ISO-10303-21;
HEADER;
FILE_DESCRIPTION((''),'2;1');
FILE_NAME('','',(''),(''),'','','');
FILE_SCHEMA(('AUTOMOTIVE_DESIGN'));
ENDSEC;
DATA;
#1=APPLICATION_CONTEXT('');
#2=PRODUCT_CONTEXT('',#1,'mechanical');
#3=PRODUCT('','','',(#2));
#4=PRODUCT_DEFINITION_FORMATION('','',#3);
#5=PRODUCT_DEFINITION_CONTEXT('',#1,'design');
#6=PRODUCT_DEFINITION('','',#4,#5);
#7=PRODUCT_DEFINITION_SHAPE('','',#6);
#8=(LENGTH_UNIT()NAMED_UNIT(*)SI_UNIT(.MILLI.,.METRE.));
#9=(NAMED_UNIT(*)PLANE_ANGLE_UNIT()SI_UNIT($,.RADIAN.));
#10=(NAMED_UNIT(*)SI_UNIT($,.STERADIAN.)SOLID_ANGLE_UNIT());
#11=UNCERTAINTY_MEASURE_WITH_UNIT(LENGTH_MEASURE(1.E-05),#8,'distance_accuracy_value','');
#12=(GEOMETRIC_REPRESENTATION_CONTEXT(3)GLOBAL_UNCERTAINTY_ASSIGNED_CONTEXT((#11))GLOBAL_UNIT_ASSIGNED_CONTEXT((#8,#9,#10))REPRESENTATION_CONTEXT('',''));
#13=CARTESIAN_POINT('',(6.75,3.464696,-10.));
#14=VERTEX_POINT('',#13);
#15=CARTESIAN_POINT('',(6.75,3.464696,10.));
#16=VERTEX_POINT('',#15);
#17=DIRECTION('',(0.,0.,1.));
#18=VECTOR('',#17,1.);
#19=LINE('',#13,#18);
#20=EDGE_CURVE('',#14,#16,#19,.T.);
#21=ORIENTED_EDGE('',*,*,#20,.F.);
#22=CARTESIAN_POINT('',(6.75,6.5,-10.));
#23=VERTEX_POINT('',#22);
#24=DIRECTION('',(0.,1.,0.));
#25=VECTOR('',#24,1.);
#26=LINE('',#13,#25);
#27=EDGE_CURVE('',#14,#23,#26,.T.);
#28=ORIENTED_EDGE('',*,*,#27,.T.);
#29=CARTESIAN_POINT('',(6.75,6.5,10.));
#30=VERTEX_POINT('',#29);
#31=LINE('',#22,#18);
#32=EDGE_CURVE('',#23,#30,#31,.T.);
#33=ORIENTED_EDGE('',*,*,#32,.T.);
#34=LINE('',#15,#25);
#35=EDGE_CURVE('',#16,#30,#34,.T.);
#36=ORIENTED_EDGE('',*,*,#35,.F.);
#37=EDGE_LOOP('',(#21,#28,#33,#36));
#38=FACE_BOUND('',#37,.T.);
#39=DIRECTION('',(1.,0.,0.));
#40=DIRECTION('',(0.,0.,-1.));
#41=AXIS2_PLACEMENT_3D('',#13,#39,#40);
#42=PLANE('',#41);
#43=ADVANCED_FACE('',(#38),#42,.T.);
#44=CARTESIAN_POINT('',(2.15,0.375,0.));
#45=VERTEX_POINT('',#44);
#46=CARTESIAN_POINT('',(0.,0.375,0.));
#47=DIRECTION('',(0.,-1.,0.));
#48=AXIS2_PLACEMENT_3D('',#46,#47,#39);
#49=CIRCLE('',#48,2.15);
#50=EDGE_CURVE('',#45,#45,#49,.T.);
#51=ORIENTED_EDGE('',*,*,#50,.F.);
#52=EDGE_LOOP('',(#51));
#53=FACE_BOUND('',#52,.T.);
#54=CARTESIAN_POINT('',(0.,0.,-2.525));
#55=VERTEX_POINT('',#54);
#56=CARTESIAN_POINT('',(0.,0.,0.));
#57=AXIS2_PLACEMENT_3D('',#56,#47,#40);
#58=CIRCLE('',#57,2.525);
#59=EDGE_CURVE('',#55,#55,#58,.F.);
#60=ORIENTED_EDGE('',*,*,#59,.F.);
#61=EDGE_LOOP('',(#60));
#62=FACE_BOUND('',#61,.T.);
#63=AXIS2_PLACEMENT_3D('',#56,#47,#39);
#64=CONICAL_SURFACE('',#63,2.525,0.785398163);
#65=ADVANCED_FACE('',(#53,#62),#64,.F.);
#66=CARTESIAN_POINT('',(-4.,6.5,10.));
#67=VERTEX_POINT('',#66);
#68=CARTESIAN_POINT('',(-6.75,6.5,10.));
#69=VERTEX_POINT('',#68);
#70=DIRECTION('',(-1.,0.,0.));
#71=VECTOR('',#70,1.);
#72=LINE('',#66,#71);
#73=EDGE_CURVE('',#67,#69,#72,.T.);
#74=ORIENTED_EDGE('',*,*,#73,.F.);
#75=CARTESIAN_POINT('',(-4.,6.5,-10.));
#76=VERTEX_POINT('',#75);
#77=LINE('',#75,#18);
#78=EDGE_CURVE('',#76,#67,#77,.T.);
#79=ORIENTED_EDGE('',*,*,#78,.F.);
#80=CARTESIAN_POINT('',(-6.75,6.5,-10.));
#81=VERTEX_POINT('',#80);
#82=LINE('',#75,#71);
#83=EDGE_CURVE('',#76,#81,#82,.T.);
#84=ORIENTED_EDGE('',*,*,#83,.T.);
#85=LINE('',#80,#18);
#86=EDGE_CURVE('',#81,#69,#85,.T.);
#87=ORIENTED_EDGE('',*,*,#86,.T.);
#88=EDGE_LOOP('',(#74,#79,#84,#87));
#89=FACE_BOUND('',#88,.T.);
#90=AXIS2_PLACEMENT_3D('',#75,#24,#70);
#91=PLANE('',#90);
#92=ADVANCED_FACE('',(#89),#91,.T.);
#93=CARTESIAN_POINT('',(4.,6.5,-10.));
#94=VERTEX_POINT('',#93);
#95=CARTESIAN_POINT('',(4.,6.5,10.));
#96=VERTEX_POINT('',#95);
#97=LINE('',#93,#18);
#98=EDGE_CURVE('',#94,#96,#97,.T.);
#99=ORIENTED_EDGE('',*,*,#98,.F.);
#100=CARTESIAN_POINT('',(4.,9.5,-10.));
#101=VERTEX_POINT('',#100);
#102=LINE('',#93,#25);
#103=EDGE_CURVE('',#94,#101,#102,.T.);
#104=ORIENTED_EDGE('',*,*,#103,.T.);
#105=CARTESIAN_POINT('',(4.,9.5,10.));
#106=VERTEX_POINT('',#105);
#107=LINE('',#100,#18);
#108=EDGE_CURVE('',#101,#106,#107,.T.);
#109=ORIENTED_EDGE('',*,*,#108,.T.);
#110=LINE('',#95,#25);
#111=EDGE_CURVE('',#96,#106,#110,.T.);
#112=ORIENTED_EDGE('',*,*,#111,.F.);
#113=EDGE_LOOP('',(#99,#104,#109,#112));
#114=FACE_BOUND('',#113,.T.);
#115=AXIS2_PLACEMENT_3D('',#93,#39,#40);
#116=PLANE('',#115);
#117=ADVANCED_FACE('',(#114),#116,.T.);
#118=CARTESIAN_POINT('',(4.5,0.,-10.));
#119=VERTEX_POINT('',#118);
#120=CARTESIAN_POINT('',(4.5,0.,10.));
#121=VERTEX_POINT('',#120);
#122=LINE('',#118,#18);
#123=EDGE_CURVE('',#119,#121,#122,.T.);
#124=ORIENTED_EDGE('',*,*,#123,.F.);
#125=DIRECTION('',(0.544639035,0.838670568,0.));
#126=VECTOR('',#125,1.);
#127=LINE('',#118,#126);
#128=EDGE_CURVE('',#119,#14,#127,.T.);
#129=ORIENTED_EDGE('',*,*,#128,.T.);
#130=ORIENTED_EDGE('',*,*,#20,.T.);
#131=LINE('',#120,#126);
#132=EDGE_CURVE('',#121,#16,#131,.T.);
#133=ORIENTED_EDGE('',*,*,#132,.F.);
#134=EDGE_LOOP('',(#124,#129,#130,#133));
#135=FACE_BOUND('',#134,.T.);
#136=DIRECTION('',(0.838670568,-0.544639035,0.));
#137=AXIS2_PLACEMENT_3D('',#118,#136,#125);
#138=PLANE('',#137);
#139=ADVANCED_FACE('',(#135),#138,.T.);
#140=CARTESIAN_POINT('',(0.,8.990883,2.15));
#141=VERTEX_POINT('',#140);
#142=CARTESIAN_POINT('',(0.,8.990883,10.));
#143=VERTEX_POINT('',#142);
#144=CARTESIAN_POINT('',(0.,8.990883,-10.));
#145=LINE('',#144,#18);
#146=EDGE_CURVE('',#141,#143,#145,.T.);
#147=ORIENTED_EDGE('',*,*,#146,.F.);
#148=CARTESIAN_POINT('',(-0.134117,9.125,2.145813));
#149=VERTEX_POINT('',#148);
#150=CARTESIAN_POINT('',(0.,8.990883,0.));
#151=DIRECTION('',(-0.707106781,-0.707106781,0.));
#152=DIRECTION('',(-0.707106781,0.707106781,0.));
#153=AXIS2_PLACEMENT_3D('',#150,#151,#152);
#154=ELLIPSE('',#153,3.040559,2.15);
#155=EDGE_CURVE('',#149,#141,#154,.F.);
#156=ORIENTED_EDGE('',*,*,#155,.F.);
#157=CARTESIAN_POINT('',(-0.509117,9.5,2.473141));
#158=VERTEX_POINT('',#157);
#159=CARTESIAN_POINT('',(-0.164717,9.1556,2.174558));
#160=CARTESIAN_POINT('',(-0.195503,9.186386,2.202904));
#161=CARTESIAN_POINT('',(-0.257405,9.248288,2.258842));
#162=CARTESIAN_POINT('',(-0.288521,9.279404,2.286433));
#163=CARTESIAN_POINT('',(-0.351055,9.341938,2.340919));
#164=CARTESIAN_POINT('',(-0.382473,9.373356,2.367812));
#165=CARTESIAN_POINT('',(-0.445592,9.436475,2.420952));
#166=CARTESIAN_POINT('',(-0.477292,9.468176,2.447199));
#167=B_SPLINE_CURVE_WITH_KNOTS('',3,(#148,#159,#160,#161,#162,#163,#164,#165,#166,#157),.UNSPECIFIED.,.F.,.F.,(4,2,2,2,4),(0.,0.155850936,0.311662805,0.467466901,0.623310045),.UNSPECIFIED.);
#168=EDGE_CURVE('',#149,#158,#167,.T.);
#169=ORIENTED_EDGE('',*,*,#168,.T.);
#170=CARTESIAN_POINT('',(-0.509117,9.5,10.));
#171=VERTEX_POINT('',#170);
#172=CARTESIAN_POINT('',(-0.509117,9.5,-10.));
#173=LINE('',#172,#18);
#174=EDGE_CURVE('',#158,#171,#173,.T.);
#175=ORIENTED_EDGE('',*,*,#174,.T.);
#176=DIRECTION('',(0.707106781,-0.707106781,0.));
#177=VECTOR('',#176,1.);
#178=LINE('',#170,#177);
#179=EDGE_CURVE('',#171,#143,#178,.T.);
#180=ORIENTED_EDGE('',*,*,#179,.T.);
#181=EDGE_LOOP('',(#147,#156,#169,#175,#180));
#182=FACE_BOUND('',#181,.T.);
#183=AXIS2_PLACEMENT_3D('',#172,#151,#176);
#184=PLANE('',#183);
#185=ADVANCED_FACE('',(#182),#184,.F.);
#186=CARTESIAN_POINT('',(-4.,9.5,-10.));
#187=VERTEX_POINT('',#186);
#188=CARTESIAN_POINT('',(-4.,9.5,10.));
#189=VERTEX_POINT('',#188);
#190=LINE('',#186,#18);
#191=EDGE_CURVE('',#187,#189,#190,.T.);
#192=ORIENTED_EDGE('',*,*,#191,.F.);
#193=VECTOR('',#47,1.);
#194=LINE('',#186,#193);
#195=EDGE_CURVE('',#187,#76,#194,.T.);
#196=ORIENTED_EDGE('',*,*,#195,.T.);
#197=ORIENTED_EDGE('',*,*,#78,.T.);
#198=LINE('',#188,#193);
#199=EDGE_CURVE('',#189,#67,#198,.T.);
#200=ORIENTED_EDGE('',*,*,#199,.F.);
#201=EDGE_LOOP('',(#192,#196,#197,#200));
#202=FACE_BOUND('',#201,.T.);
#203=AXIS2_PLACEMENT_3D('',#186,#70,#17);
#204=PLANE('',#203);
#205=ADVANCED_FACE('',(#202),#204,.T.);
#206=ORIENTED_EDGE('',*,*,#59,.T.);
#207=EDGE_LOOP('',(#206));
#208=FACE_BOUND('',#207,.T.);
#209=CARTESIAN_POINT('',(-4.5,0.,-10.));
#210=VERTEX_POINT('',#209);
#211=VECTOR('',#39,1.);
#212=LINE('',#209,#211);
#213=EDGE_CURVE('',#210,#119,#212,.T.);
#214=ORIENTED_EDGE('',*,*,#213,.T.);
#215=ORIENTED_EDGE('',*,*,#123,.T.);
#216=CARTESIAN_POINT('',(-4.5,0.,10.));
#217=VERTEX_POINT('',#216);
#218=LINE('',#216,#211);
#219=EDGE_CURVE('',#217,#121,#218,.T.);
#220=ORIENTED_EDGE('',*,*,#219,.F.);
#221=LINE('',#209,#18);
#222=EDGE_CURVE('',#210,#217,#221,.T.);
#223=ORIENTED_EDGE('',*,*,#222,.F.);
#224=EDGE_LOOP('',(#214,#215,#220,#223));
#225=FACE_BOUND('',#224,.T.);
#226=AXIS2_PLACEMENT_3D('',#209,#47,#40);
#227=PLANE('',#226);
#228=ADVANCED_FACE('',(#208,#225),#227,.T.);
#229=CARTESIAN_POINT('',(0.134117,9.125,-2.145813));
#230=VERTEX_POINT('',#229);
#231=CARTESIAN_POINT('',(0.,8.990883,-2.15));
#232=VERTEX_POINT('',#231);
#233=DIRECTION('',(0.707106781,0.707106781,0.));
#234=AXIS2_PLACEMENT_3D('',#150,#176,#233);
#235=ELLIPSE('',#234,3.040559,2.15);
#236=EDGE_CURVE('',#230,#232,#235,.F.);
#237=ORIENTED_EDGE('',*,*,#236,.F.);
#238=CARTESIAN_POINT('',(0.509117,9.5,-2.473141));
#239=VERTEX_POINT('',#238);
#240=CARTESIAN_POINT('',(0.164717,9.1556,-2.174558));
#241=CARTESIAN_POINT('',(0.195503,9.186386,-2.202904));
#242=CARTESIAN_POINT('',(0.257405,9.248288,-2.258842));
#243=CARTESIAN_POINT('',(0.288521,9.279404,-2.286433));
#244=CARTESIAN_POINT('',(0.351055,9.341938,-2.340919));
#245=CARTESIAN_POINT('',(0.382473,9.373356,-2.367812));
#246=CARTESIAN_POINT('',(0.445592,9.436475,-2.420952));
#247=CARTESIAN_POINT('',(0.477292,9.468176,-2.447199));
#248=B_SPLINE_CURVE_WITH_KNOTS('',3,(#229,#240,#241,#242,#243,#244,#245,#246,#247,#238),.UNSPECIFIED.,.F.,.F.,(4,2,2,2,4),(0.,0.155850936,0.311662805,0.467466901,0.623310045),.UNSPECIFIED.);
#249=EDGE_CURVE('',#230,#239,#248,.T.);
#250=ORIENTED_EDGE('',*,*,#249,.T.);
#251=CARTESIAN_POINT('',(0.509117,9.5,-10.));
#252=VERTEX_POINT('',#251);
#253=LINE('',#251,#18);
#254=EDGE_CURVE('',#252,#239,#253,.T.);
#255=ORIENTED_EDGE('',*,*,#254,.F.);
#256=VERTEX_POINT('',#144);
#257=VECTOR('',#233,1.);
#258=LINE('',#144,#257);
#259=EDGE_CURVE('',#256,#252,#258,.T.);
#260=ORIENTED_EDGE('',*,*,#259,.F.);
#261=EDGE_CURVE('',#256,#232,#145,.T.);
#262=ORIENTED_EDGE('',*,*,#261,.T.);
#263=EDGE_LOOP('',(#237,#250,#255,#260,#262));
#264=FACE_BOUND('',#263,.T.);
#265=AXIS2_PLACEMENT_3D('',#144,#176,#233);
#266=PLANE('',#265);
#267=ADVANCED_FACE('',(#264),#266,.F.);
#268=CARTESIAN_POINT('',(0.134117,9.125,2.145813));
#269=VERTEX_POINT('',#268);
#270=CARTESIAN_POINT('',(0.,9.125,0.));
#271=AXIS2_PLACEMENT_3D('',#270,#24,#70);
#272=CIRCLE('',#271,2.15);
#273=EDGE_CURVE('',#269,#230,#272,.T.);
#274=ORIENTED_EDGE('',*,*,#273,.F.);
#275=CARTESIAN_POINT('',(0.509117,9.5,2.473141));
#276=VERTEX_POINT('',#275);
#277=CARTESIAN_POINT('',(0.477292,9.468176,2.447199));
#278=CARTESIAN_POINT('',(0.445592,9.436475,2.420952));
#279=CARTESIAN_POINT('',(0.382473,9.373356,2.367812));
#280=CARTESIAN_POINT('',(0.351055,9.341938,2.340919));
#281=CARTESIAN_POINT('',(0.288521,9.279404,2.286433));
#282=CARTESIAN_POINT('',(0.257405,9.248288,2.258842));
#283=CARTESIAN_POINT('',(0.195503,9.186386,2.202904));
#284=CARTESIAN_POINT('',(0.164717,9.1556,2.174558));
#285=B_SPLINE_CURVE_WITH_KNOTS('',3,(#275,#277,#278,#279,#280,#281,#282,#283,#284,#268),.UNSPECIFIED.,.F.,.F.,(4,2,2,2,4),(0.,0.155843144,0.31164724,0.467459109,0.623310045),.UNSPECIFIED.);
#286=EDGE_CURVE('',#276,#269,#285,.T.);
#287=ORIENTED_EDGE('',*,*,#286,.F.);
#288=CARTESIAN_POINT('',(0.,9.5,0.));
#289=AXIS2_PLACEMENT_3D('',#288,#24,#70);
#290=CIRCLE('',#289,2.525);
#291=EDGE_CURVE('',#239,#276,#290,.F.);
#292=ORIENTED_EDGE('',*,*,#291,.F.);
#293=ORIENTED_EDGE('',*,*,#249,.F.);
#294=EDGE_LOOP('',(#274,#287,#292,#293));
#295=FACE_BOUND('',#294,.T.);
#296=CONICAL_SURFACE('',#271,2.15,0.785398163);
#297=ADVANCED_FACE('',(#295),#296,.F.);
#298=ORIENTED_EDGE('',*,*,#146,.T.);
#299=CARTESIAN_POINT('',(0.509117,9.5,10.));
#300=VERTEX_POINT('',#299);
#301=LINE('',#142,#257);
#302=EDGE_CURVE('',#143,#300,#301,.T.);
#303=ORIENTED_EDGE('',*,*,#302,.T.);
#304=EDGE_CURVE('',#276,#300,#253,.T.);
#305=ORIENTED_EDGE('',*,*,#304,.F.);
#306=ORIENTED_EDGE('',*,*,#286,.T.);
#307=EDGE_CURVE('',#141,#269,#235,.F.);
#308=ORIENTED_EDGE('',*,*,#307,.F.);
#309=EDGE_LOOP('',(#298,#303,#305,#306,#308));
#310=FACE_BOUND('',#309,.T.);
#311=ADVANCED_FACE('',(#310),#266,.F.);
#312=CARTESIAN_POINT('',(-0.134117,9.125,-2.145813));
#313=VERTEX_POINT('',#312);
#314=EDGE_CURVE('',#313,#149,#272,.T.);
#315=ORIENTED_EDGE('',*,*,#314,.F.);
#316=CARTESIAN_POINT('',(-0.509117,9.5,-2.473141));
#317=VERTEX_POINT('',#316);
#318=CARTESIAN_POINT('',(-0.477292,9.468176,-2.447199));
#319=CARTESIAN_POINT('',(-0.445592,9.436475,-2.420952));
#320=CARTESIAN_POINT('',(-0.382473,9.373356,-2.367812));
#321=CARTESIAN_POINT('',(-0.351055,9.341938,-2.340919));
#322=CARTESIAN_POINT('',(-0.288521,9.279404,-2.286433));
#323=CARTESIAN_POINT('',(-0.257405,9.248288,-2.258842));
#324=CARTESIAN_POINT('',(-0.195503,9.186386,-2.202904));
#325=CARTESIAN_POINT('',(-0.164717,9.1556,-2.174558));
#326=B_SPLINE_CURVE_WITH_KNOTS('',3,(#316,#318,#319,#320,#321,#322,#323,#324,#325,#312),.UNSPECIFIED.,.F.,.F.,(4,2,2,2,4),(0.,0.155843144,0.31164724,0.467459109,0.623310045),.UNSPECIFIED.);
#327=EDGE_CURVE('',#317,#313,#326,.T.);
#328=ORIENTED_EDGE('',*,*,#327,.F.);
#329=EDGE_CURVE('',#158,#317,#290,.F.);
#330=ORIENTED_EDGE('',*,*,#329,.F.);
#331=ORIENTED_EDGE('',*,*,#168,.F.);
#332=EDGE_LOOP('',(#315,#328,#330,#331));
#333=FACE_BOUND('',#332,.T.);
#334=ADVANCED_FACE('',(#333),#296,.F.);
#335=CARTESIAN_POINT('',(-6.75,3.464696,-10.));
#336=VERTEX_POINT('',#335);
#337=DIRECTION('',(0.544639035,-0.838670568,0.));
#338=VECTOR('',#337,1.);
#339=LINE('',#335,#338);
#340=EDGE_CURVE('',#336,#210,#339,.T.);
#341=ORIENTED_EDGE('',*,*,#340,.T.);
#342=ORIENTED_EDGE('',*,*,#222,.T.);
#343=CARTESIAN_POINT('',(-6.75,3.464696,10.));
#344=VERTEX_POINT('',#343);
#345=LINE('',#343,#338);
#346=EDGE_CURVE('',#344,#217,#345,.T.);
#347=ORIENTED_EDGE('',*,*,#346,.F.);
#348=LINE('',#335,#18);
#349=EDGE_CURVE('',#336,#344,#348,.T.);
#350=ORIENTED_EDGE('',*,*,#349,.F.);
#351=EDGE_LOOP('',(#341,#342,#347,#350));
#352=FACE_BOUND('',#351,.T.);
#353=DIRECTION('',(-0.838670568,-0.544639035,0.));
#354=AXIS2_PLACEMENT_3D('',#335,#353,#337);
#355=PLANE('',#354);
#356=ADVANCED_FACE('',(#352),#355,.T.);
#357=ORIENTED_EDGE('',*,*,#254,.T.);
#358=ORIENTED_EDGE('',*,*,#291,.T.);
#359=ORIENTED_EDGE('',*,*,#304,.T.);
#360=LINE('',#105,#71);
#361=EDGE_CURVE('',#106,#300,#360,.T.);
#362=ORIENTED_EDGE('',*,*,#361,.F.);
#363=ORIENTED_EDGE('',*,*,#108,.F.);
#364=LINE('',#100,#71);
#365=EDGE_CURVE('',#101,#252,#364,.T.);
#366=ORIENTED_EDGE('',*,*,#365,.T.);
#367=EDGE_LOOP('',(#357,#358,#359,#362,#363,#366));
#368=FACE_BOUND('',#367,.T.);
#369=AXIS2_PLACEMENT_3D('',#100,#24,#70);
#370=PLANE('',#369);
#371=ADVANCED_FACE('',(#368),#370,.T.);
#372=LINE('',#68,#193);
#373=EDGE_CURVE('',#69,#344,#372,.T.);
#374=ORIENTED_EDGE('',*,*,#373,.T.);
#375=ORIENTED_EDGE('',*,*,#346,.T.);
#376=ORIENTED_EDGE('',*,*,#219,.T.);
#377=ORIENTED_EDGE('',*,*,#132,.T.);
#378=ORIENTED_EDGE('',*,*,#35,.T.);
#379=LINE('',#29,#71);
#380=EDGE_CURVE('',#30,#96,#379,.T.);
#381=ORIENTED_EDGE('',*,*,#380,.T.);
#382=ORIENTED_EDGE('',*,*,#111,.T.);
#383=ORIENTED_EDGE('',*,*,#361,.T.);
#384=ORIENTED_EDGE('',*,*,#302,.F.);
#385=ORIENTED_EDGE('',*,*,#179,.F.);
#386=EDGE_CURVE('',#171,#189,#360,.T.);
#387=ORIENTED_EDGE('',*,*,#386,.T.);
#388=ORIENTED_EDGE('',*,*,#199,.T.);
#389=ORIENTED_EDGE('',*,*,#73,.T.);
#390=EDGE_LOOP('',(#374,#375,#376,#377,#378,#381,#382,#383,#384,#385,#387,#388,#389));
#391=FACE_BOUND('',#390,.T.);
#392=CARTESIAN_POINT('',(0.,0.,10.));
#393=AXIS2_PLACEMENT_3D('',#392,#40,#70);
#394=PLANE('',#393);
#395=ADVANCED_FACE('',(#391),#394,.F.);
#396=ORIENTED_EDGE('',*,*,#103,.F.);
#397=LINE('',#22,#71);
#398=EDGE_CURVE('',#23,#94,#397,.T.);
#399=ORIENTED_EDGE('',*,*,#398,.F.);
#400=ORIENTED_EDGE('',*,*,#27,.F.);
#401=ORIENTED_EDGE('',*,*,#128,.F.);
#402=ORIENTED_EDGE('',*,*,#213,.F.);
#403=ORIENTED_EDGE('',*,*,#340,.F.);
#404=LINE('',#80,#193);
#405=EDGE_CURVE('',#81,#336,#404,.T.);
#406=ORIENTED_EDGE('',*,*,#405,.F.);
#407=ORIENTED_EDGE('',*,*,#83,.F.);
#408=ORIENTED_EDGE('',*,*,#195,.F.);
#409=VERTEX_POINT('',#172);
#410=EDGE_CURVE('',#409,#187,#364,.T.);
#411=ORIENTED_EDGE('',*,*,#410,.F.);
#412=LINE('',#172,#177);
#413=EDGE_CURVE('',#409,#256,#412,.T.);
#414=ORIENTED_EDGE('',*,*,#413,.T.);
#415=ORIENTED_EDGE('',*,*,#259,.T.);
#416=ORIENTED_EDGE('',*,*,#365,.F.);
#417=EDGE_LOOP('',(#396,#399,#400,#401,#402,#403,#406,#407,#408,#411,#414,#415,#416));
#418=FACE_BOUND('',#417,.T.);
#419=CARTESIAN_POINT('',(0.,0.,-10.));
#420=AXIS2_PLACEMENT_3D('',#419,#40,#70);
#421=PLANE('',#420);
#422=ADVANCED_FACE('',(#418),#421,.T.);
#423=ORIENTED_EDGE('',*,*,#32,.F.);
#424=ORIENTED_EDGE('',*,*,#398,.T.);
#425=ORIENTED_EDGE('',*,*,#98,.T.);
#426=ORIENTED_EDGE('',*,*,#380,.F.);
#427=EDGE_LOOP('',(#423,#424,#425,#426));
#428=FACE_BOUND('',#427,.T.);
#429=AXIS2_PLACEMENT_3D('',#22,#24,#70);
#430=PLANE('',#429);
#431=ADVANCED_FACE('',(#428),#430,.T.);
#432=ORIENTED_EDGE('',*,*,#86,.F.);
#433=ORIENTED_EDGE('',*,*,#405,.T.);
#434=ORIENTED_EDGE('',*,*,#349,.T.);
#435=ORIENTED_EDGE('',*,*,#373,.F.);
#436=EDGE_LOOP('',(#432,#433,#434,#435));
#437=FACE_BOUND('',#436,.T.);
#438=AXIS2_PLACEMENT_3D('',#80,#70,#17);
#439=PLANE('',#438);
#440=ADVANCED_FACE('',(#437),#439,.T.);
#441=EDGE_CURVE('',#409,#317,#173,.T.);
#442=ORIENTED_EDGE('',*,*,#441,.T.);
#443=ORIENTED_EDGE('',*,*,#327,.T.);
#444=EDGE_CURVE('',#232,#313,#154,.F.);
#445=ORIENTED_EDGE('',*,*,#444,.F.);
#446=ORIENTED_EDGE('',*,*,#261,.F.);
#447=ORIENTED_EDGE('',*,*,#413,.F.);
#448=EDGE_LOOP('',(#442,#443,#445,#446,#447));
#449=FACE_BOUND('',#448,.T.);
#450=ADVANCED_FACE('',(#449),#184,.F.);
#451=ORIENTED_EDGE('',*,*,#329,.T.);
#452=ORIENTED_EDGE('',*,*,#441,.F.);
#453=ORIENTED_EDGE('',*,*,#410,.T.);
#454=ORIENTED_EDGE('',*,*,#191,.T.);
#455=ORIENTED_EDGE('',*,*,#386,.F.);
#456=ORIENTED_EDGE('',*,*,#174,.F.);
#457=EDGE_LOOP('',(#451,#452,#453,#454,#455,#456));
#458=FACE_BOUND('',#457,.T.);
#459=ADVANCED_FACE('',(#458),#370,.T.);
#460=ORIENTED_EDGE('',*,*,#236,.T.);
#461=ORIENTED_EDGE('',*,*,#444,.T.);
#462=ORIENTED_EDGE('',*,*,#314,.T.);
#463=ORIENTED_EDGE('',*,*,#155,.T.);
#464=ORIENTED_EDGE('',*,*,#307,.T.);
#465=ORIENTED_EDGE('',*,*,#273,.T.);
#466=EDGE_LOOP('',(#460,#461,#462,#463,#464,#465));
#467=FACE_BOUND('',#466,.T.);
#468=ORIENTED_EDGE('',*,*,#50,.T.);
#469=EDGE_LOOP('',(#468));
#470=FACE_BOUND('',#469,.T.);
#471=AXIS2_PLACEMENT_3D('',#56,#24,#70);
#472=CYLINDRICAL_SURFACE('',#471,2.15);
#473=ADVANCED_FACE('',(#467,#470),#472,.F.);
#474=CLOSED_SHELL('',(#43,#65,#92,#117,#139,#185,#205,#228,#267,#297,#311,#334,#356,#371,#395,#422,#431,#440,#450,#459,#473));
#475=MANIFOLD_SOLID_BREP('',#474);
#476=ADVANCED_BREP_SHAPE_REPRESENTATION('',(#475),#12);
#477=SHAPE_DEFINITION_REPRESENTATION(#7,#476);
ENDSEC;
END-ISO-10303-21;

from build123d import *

# Parameters (mm, degrees)
EXTRUDE_1_DEPTH     = 10
SKETCH_2_R          = 2.15
CUT_EXTRUDE_1_DEPTH = 16.356187678
CUT_EXTRUDE_2_DEPTH = 10
CHAMFER_1_SIZE      = 0.375


with BuildPart() as part:
    # 草图1 → 凸台-拉伸1 (new, symmetric)
    with BuildSketch(Plane.XY):
        Polygon((-4.5, 0), (4.5, 0), (6.75, 3.464696169), (6.75, 6.5), (4, 6.5), (4, 9.5), (-4, 9.5), (-4, 6.5), (-6.75, 6.5), (-6.75, 3.464696169), align=None)
    extrude(amount=EXTRUDE_1_DEPTH, both=True)

    # 草图2 → 切除-拉伸1 (cut, through all)
    with BuildSketch(Plane(origin=(0, 9.5, 0), x_dir=(1, 0, 0), z_dir=(0, 1, 0))):
        with Locations(Location((0, 0, 0), (0, 0, 180))):
            Circle(SKETCH_2_R)
    extrude(amount=-CUT_EXTRUDE_1_DEPTH, mode=Mode.SUBTRACT)

    # 草图3 → 切除-拉伸2 (cut, symmetric)
    with BuildSketch(Plane.XY):
        Polygon((-0.509116882, 9.5), (0, 8.990883118), (0.509116882, 9.5), (0, 10.009116882), align=None)
    extrude(amount=CUT_EXTRUDE_2_DEPTH, both=True, mode=Mode.SUBTRACT)

    # 倒角1
    chamfer_1_edges = [part.edges().sort_by_distance(p)[0] for p in [
        (2.15, 0, 0),
        (2.15, 9.5, 0),
        (-1.690724889, 9.5, -1.32813755),
    ]]
    chamfer(chamfer_1_edges, length=CHAMFER_1_SIZE)


solid = part.part
